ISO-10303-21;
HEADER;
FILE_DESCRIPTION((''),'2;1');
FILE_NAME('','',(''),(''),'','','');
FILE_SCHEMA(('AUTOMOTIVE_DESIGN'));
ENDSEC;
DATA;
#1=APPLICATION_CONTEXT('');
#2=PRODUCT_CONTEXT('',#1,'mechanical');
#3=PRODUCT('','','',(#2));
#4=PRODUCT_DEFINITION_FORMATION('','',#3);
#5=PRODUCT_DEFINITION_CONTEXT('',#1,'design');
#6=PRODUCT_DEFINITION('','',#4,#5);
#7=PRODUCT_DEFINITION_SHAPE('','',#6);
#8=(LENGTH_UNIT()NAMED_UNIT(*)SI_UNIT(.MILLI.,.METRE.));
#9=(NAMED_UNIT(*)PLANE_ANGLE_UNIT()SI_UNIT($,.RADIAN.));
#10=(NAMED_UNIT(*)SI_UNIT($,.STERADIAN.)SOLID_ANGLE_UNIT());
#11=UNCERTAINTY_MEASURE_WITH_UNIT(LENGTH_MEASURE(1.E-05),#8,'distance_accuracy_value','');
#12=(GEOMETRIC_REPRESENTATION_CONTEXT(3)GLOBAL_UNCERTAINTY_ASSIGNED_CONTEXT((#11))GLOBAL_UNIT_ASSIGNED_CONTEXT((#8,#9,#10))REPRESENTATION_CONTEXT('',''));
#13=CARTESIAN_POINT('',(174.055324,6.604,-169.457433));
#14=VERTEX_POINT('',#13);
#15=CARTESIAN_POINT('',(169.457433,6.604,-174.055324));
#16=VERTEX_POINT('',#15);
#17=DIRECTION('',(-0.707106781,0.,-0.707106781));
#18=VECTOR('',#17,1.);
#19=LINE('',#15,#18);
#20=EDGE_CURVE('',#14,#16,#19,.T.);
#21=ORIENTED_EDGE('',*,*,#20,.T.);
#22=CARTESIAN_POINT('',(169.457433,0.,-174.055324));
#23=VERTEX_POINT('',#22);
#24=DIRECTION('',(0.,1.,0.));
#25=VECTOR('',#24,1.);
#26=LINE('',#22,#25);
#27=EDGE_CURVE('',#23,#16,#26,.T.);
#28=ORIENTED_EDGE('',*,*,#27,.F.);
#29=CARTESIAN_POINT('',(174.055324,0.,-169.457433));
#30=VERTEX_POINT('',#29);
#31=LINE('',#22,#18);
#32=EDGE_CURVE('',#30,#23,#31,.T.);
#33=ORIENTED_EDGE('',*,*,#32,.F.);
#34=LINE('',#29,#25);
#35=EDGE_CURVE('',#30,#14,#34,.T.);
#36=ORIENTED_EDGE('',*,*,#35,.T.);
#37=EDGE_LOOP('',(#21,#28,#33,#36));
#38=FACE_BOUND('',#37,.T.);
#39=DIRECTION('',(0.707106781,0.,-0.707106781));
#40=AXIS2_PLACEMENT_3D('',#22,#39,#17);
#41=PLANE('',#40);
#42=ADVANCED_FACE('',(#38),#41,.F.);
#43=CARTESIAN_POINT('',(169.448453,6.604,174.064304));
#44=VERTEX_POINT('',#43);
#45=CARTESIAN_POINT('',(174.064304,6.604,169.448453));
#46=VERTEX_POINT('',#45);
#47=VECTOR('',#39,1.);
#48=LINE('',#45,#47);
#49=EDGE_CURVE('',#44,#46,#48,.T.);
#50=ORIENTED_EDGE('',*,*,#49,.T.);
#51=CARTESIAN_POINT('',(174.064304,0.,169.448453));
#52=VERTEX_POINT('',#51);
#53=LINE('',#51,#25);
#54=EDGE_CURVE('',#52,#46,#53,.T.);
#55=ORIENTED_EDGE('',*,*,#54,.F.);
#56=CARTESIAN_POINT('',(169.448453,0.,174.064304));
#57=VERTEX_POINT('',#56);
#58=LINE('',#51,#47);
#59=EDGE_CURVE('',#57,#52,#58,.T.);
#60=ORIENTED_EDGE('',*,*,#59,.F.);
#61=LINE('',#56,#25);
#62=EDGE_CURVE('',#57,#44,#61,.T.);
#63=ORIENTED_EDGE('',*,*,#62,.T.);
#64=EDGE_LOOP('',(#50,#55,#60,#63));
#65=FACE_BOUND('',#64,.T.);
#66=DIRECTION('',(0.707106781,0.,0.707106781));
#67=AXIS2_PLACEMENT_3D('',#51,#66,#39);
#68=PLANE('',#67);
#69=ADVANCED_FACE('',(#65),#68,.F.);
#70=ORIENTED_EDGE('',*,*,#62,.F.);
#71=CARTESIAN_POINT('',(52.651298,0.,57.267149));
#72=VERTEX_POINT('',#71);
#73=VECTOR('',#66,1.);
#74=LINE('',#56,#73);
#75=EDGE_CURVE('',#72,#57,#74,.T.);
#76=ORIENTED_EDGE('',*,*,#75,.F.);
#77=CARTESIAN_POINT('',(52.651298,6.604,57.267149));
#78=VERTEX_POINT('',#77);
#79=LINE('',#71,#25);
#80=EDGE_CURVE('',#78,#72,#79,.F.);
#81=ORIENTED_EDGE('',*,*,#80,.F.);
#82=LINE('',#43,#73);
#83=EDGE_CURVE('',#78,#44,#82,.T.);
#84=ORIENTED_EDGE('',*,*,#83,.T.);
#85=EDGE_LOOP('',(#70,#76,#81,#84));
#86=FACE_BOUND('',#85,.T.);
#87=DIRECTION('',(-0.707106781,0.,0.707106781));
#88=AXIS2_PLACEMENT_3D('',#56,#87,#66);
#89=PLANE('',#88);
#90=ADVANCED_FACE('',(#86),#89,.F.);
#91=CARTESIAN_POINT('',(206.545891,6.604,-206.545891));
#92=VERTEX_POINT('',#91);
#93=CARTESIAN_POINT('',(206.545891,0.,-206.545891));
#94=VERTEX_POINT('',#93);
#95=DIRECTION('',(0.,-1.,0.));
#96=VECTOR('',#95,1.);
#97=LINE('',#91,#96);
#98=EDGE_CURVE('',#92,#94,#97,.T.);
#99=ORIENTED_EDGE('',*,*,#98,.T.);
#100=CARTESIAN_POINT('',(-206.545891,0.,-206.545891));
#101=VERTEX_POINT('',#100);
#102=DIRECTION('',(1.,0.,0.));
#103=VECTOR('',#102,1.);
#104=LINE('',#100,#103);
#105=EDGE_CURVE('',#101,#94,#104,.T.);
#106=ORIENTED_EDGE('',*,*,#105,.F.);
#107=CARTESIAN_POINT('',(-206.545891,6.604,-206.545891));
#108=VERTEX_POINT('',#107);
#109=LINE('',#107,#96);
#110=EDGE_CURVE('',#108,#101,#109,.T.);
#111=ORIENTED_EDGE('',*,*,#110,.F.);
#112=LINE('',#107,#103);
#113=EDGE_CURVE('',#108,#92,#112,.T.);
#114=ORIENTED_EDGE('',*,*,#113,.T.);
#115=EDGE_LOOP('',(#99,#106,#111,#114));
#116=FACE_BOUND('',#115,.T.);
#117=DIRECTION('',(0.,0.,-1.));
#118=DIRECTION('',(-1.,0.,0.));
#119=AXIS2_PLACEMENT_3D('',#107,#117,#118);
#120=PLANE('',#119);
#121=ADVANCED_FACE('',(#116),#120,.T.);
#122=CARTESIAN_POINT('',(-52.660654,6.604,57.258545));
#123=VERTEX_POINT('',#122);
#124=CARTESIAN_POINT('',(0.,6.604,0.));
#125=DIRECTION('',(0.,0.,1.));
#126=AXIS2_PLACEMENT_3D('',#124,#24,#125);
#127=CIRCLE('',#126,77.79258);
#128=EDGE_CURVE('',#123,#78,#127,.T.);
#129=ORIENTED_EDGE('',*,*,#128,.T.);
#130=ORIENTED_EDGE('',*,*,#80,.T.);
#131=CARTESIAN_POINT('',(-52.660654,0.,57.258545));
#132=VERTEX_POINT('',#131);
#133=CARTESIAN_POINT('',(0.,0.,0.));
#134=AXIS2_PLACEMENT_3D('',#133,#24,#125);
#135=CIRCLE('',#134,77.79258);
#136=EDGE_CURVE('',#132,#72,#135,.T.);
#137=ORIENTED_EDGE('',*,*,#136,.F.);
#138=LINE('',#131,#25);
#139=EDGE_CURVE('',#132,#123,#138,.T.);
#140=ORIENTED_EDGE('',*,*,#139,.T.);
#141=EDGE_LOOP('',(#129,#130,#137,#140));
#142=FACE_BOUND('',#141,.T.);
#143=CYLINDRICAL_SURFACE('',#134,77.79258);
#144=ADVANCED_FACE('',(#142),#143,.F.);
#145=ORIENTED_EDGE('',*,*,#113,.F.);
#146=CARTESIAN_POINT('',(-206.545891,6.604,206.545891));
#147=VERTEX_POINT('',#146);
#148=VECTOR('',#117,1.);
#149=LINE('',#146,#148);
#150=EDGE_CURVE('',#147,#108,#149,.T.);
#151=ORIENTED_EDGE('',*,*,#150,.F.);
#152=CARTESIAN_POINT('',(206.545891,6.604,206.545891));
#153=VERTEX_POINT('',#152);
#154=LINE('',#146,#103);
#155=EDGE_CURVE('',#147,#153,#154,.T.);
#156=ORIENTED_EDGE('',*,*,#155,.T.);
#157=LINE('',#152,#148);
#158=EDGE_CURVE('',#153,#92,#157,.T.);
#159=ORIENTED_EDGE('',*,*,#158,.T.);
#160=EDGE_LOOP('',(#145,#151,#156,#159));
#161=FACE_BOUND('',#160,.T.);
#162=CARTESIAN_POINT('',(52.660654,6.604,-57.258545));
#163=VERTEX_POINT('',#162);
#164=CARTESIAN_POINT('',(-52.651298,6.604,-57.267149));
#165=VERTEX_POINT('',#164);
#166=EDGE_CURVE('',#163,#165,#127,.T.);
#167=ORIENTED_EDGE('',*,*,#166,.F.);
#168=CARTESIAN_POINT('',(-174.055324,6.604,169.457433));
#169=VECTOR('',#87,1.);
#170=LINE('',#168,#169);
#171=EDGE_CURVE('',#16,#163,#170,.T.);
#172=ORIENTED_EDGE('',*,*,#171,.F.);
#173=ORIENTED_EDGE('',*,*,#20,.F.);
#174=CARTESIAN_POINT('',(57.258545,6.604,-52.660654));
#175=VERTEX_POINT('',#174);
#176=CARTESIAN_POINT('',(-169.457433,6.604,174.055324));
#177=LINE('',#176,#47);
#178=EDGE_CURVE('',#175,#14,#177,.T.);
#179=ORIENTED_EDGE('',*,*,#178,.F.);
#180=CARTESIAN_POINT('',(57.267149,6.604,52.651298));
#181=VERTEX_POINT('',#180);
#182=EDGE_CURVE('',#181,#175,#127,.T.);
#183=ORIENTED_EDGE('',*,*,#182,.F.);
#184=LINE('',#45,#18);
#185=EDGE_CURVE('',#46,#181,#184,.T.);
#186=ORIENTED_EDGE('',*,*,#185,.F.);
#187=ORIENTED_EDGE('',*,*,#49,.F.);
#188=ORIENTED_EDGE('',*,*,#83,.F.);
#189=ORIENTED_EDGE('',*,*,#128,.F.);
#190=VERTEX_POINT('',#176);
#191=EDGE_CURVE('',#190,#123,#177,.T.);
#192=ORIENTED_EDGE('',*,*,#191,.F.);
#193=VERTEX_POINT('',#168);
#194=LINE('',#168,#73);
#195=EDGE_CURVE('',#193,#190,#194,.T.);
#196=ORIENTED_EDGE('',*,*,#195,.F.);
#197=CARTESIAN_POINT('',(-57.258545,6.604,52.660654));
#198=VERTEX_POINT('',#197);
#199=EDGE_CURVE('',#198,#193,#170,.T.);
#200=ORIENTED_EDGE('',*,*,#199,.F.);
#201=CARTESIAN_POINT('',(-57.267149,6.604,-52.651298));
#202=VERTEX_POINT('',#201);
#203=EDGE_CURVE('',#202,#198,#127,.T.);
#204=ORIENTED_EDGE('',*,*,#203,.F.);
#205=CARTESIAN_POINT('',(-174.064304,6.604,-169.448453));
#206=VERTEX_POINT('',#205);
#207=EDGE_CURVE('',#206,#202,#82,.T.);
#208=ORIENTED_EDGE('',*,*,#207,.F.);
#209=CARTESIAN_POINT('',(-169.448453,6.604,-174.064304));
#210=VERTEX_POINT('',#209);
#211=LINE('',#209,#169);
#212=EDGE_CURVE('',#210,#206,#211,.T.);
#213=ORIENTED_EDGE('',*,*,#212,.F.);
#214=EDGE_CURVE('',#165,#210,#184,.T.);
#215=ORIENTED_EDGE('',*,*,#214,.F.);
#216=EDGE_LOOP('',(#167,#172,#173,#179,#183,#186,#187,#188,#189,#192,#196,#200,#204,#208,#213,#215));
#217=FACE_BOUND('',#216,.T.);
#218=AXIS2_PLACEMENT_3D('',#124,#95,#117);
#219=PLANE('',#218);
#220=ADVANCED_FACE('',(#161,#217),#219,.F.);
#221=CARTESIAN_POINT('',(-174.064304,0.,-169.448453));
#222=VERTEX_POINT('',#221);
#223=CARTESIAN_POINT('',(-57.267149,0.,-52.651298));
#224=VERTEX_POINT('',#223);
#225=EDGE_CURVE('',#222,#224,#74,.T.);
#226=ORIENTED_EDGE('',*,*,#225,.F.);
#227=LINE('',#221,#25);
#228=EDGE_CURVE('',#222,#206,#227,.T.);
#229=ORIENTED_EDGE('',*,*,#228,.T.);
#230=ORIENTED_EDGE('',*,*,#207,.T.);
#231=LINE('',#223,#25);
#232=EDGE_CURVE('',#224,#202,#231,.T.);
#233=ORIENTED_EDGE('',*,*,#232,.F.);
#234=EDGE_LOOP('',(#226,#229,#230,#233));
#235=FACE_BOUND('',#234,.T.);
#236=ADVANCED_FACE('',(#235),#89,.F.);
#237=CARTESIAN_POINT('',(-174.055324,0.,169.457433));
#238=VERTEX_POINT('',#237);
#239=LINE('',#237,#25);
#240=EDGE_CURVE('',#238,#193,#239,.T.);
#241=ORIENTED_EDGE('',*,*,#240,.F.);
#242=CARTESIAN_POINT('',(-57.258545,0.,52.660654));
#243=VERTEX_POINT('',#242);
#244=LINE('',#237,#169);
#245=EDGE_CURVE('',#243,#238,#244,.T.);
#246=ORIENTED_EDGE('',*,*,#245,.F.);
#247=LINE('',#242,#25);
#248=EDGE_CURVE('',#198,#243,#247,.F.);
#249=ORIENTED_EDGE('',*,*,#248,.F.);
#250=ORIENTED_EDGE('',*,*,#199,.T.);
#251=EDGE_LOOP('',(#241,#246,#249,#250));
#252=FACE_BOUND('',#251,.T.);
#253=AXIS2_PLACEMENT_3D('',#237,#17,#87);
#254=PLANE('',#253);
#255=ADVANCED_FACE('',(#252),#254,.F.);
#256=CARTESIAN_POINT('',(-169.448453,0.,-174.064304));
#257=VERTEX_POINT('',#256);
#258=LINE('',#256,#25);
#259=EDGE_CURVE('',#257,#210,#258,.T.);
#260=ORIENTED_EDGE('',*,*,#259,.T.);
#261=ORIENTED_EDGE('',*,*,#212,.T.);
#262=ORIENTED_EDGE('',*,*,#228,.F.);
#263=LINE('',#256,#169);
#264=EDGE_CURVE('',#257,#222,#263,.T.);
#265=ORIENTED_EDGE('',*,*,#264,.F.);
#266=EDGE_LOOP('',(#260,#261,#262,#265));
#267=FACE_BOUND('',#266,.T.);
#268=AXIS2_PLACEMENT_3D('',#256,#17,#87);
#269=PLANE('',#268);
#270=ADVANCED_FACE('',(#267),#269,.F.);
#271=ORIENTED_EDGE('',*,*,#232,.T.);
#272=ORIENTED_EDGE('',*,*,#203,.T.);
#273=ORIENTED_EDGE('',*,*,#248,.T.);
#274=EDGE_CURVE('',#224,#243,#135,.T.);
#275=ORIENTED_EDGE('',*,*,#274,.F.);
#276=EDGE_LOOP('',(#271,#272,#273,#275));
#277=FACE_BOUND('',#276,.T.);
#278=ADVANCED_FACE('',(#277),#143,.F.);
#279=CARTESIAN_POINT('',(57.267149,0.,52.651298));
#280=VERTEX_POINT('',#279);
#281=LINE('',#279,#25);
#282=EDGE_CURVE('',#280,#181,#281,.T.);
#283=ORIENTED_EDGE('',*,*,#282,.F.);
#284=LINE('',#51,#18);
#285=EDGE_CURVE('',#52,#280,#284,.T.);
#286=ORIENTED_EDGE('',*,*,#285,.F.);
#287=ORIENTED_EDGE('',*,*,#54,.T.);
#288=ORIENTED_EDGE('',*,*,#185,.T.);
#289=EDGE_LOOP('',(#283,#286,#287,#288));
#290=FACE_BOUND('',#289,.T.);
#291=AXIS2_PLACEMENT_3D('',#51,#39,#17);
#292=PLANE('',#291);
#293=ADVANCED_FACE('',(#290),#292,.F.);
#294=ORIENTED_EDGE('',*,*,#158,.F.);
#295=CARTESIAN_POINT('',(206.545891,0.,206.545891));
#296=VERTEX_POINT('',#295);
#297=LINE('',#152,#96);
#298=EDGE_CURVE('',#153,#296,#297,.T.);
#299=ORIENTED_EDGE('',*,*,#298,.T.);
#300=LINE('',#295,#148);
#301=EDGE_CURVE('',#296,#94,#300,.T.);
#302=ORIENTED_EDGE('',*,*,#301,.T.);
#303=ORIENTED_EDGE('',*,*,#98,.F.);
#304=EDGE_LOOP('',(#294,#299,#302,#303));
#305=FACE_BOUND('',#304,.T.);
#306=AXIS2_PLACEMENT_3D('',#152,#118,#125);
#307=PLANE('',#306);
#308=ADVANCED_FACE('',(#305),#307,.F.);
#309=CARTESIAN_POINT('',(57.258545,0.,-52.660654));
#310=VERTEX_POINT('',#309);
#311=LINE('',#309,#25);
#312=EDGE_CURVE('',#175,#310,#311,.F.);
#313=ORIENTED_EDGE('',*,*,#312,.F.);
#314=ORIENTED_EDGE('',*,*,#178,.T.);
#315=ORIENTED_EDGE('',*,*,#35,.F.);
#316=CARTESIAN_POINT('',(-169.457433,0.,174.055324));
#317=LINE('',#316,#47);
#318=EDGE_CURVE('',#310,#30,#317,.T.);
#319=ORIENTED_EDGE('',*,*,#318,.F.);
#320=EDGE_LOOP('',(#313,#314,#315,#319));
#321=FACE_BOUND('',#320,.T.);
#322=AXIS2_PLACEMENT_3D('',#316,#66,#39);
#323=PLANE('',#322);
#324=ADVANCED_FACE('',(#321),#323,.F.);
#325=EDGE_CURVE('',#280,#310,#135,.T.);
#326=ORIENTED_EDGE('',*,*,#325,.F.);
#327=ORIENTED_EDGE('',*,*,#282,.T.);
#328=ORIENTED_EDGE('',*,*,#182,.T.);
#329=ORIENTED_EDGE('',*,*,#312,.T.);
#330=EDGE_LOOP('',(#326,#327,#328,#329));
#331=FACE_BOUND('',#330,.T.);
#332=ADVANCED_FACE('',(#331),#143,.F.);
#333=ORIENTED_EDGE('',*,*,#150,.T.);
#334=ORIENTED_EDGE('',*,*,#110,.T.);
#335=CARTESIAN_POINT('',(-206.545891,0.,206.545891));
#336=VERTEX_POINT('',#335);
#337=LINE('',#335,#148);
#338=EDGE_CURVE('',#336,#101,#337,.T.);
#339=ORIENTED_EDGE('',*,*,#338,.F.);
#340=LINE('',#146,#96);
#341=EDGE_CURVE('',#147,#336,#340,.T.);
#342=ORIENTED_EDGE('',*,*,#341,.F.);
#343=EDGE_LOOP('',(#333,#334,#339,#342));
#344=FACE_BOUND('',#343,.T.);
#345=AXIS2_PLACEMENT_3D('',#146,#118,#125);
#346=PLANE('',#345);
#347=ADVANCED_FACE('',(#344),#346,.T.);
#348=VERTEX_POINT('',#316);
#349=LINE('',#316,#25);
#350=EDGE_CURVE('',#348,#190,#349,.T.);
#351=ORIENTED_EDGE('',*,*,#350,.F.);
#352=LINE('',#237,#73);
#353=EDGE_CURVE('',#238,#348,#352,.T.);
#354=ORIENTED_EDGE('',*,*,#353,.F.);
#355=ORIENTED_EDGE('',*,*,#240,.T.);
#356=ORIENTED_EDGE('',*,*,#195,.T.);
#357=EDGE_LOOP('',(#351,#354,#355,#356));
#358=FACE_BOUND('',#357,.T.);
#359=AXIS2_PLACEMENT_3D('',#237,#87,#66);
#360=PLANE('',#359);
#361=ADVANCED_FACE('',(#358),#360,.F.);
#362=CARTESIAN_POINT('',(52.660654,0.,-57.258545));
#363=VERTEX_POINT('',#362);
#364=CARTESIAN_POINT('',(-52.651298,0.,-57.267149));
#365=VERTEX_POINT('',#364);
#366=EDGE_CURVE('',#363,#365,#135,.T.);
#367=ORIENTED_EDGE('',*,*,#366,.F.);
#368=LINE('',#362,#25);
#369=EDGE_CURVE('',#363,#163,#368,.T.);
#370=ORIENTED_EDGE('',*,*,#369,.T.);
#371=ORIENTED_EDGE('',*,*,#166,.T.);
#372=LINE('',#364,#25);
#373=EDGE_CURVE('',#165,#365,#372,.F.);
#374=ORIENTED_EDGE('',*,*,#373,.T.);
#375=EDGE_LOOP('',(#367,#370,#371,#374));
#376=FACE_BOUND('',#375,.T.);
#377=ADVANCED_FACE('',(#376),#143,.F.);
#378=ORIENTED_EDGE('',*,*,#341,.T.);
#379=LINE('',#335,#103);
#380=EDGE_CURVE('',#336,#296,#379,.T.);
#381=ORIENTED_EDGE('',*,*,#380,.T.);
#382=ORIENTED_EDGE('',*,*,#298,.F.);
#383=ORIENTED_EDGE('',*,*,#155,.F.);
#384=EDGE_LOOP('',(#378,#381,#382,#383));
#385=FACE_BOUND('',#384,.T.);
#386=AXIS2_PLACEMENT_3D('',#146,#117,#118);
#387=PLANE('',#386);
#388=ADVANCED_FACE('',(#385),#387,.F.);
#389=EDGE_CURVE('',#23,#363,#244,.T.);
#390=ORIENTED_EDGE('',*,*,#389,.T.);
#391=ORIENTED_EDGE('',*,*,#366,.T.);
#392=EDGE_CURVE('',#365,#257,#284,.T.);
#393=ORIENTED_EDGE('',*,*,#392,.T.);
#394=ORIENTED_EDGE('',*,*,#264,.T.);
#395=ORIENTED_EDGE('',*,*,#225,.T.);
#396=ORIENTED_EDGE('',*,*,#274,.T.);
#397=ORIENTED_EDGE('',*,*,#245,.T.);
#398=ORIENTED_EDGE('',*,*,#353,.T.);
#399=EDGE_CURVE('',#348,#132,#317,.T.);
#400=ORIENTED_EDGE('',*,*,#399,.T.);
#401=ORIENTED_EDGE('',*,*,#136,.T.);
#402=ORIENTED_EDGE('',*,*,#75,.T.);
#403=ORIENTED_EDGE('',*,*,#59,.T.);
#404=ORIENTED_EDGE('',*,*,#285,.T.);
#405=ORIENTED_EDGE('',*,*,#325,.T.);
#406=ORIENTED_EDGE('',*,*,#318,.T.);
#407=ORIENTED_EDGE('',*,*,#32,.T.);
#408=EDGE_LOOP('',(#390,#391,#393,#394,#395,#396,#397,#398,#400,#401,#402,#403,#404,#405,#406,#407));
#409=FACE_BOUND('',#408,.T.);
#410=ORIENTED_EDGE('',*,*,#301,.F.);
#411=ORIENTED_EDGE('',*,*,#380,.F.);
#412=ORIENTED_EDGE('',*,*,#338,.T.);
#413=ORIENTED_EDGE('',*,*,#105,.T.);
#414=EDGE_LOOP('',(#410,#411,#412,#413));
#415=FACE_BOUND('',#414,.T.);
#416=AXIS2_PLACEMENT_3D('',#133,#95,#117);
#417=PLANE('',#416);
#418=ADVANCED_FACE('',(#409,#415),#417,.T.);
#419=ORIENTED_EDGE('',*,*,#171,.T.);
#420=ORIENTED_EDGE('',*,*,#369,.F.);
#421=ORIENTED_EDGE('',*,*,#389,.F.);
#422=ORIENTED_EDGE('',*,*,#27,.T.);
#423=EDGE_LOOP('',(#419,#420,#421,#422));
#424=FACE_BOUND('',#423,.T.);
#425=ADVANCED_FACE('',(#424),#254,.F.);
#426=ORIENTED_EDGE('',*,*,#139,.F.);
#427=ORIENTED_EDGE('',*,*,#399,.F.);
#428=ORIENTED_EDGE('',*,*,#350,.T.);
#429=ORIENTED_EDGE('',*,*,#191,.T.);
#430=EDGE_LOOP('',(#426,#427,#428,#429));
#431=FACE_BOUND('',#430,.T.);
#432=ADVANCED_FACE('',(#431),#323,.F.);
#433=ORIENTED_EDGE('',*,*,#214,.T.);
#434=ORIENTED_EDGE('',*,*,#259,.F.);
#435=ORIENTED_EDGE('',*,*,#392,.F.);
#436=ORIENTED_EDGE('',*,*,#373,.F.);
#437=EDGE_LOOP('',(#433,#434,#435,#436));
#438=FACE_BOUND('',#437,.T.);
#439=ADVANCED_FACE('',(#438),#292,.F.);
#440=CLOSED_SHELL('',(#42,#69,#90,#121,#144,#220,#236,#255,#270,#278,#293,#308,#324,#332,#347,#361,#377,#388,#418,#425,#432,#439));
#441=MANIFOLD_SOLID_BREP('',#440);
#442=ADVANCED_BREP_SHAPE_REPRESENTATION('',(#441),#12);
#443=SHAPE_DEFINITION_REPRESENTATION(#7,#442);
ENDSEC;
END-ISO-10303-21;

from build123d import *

# Parameters (mm, degrees)
SKETCH4_W           = 413.09178157
SKETCH4_H           = 413.09178157
BOSS_EXTRUDE3_DEPTH = 6.604
SKETCH6_R           = 77.79258
CUT_EXTRUDE1_DEPTH  = 6.604
CUT_EXTRUDE2_DEPTH  = 6.604
CUT_EXTRUDE3_DEPTH  = 6.604


with BuildPart() as part:
    # Sketch4 → Boss-Extrude3 (new body)
    with BuildSketch(Plane(origin=(0, 0, 0), x_dir=(1, 0, 0), z_dir=(0, 1, 0))):
        Rectangle(SKETCH4_W, SKETCH4_H)
    extrude(amount=BOSS_EXTRUDE3_DEPTH)

    # Sketch6 → Cut-Extrude1 (cut)
    with BuildSketch(Plane(origin=(0, 6.604, 0), x_dir=(1, 0, 0), z_dir=(0, 1, 0))):
        Circle(SKETCH6_R)
    extrude(amount=-CUT_EXTRUDE1_DEPTH, mode=Mode.SUBTRACT)

    # Sketch8 → Cut-Extrude2 (cut)
    with BuildSketch(Plane(origin=(0, 6.604, 0), x_dir=(1, 0, 0), z_dir=(0, 1, 0))):
        Polygon((-174.055324139, -169.457433005), (169.457433005, 174.055324139), (174.055324139, 169.457433005), (-169.457433005, -174.055324139), align=None)
    extrude(amount=-CUT_EXTRUDE2_DEPTH, mode=Mode.SUBTRACT)

    # Sketch9 → Cut-Extrude3 (cut)
    with BuildSketch(Plane(origin=(0, 6.604, 0), x_dir=(1, 0, 0), z_dir=(0, 1, 0))):
        Polygon((174.064304395, -169.448452748), (-169.448452748, 174.064304395), (-174.064304395, 169.448452748), (169.448452748, -174.064304395), align=None)
    extrude(amount=-CUT_EXTRUDE3_DEPTH, mode=Mode.SUBTRACT)


solid = part.part
